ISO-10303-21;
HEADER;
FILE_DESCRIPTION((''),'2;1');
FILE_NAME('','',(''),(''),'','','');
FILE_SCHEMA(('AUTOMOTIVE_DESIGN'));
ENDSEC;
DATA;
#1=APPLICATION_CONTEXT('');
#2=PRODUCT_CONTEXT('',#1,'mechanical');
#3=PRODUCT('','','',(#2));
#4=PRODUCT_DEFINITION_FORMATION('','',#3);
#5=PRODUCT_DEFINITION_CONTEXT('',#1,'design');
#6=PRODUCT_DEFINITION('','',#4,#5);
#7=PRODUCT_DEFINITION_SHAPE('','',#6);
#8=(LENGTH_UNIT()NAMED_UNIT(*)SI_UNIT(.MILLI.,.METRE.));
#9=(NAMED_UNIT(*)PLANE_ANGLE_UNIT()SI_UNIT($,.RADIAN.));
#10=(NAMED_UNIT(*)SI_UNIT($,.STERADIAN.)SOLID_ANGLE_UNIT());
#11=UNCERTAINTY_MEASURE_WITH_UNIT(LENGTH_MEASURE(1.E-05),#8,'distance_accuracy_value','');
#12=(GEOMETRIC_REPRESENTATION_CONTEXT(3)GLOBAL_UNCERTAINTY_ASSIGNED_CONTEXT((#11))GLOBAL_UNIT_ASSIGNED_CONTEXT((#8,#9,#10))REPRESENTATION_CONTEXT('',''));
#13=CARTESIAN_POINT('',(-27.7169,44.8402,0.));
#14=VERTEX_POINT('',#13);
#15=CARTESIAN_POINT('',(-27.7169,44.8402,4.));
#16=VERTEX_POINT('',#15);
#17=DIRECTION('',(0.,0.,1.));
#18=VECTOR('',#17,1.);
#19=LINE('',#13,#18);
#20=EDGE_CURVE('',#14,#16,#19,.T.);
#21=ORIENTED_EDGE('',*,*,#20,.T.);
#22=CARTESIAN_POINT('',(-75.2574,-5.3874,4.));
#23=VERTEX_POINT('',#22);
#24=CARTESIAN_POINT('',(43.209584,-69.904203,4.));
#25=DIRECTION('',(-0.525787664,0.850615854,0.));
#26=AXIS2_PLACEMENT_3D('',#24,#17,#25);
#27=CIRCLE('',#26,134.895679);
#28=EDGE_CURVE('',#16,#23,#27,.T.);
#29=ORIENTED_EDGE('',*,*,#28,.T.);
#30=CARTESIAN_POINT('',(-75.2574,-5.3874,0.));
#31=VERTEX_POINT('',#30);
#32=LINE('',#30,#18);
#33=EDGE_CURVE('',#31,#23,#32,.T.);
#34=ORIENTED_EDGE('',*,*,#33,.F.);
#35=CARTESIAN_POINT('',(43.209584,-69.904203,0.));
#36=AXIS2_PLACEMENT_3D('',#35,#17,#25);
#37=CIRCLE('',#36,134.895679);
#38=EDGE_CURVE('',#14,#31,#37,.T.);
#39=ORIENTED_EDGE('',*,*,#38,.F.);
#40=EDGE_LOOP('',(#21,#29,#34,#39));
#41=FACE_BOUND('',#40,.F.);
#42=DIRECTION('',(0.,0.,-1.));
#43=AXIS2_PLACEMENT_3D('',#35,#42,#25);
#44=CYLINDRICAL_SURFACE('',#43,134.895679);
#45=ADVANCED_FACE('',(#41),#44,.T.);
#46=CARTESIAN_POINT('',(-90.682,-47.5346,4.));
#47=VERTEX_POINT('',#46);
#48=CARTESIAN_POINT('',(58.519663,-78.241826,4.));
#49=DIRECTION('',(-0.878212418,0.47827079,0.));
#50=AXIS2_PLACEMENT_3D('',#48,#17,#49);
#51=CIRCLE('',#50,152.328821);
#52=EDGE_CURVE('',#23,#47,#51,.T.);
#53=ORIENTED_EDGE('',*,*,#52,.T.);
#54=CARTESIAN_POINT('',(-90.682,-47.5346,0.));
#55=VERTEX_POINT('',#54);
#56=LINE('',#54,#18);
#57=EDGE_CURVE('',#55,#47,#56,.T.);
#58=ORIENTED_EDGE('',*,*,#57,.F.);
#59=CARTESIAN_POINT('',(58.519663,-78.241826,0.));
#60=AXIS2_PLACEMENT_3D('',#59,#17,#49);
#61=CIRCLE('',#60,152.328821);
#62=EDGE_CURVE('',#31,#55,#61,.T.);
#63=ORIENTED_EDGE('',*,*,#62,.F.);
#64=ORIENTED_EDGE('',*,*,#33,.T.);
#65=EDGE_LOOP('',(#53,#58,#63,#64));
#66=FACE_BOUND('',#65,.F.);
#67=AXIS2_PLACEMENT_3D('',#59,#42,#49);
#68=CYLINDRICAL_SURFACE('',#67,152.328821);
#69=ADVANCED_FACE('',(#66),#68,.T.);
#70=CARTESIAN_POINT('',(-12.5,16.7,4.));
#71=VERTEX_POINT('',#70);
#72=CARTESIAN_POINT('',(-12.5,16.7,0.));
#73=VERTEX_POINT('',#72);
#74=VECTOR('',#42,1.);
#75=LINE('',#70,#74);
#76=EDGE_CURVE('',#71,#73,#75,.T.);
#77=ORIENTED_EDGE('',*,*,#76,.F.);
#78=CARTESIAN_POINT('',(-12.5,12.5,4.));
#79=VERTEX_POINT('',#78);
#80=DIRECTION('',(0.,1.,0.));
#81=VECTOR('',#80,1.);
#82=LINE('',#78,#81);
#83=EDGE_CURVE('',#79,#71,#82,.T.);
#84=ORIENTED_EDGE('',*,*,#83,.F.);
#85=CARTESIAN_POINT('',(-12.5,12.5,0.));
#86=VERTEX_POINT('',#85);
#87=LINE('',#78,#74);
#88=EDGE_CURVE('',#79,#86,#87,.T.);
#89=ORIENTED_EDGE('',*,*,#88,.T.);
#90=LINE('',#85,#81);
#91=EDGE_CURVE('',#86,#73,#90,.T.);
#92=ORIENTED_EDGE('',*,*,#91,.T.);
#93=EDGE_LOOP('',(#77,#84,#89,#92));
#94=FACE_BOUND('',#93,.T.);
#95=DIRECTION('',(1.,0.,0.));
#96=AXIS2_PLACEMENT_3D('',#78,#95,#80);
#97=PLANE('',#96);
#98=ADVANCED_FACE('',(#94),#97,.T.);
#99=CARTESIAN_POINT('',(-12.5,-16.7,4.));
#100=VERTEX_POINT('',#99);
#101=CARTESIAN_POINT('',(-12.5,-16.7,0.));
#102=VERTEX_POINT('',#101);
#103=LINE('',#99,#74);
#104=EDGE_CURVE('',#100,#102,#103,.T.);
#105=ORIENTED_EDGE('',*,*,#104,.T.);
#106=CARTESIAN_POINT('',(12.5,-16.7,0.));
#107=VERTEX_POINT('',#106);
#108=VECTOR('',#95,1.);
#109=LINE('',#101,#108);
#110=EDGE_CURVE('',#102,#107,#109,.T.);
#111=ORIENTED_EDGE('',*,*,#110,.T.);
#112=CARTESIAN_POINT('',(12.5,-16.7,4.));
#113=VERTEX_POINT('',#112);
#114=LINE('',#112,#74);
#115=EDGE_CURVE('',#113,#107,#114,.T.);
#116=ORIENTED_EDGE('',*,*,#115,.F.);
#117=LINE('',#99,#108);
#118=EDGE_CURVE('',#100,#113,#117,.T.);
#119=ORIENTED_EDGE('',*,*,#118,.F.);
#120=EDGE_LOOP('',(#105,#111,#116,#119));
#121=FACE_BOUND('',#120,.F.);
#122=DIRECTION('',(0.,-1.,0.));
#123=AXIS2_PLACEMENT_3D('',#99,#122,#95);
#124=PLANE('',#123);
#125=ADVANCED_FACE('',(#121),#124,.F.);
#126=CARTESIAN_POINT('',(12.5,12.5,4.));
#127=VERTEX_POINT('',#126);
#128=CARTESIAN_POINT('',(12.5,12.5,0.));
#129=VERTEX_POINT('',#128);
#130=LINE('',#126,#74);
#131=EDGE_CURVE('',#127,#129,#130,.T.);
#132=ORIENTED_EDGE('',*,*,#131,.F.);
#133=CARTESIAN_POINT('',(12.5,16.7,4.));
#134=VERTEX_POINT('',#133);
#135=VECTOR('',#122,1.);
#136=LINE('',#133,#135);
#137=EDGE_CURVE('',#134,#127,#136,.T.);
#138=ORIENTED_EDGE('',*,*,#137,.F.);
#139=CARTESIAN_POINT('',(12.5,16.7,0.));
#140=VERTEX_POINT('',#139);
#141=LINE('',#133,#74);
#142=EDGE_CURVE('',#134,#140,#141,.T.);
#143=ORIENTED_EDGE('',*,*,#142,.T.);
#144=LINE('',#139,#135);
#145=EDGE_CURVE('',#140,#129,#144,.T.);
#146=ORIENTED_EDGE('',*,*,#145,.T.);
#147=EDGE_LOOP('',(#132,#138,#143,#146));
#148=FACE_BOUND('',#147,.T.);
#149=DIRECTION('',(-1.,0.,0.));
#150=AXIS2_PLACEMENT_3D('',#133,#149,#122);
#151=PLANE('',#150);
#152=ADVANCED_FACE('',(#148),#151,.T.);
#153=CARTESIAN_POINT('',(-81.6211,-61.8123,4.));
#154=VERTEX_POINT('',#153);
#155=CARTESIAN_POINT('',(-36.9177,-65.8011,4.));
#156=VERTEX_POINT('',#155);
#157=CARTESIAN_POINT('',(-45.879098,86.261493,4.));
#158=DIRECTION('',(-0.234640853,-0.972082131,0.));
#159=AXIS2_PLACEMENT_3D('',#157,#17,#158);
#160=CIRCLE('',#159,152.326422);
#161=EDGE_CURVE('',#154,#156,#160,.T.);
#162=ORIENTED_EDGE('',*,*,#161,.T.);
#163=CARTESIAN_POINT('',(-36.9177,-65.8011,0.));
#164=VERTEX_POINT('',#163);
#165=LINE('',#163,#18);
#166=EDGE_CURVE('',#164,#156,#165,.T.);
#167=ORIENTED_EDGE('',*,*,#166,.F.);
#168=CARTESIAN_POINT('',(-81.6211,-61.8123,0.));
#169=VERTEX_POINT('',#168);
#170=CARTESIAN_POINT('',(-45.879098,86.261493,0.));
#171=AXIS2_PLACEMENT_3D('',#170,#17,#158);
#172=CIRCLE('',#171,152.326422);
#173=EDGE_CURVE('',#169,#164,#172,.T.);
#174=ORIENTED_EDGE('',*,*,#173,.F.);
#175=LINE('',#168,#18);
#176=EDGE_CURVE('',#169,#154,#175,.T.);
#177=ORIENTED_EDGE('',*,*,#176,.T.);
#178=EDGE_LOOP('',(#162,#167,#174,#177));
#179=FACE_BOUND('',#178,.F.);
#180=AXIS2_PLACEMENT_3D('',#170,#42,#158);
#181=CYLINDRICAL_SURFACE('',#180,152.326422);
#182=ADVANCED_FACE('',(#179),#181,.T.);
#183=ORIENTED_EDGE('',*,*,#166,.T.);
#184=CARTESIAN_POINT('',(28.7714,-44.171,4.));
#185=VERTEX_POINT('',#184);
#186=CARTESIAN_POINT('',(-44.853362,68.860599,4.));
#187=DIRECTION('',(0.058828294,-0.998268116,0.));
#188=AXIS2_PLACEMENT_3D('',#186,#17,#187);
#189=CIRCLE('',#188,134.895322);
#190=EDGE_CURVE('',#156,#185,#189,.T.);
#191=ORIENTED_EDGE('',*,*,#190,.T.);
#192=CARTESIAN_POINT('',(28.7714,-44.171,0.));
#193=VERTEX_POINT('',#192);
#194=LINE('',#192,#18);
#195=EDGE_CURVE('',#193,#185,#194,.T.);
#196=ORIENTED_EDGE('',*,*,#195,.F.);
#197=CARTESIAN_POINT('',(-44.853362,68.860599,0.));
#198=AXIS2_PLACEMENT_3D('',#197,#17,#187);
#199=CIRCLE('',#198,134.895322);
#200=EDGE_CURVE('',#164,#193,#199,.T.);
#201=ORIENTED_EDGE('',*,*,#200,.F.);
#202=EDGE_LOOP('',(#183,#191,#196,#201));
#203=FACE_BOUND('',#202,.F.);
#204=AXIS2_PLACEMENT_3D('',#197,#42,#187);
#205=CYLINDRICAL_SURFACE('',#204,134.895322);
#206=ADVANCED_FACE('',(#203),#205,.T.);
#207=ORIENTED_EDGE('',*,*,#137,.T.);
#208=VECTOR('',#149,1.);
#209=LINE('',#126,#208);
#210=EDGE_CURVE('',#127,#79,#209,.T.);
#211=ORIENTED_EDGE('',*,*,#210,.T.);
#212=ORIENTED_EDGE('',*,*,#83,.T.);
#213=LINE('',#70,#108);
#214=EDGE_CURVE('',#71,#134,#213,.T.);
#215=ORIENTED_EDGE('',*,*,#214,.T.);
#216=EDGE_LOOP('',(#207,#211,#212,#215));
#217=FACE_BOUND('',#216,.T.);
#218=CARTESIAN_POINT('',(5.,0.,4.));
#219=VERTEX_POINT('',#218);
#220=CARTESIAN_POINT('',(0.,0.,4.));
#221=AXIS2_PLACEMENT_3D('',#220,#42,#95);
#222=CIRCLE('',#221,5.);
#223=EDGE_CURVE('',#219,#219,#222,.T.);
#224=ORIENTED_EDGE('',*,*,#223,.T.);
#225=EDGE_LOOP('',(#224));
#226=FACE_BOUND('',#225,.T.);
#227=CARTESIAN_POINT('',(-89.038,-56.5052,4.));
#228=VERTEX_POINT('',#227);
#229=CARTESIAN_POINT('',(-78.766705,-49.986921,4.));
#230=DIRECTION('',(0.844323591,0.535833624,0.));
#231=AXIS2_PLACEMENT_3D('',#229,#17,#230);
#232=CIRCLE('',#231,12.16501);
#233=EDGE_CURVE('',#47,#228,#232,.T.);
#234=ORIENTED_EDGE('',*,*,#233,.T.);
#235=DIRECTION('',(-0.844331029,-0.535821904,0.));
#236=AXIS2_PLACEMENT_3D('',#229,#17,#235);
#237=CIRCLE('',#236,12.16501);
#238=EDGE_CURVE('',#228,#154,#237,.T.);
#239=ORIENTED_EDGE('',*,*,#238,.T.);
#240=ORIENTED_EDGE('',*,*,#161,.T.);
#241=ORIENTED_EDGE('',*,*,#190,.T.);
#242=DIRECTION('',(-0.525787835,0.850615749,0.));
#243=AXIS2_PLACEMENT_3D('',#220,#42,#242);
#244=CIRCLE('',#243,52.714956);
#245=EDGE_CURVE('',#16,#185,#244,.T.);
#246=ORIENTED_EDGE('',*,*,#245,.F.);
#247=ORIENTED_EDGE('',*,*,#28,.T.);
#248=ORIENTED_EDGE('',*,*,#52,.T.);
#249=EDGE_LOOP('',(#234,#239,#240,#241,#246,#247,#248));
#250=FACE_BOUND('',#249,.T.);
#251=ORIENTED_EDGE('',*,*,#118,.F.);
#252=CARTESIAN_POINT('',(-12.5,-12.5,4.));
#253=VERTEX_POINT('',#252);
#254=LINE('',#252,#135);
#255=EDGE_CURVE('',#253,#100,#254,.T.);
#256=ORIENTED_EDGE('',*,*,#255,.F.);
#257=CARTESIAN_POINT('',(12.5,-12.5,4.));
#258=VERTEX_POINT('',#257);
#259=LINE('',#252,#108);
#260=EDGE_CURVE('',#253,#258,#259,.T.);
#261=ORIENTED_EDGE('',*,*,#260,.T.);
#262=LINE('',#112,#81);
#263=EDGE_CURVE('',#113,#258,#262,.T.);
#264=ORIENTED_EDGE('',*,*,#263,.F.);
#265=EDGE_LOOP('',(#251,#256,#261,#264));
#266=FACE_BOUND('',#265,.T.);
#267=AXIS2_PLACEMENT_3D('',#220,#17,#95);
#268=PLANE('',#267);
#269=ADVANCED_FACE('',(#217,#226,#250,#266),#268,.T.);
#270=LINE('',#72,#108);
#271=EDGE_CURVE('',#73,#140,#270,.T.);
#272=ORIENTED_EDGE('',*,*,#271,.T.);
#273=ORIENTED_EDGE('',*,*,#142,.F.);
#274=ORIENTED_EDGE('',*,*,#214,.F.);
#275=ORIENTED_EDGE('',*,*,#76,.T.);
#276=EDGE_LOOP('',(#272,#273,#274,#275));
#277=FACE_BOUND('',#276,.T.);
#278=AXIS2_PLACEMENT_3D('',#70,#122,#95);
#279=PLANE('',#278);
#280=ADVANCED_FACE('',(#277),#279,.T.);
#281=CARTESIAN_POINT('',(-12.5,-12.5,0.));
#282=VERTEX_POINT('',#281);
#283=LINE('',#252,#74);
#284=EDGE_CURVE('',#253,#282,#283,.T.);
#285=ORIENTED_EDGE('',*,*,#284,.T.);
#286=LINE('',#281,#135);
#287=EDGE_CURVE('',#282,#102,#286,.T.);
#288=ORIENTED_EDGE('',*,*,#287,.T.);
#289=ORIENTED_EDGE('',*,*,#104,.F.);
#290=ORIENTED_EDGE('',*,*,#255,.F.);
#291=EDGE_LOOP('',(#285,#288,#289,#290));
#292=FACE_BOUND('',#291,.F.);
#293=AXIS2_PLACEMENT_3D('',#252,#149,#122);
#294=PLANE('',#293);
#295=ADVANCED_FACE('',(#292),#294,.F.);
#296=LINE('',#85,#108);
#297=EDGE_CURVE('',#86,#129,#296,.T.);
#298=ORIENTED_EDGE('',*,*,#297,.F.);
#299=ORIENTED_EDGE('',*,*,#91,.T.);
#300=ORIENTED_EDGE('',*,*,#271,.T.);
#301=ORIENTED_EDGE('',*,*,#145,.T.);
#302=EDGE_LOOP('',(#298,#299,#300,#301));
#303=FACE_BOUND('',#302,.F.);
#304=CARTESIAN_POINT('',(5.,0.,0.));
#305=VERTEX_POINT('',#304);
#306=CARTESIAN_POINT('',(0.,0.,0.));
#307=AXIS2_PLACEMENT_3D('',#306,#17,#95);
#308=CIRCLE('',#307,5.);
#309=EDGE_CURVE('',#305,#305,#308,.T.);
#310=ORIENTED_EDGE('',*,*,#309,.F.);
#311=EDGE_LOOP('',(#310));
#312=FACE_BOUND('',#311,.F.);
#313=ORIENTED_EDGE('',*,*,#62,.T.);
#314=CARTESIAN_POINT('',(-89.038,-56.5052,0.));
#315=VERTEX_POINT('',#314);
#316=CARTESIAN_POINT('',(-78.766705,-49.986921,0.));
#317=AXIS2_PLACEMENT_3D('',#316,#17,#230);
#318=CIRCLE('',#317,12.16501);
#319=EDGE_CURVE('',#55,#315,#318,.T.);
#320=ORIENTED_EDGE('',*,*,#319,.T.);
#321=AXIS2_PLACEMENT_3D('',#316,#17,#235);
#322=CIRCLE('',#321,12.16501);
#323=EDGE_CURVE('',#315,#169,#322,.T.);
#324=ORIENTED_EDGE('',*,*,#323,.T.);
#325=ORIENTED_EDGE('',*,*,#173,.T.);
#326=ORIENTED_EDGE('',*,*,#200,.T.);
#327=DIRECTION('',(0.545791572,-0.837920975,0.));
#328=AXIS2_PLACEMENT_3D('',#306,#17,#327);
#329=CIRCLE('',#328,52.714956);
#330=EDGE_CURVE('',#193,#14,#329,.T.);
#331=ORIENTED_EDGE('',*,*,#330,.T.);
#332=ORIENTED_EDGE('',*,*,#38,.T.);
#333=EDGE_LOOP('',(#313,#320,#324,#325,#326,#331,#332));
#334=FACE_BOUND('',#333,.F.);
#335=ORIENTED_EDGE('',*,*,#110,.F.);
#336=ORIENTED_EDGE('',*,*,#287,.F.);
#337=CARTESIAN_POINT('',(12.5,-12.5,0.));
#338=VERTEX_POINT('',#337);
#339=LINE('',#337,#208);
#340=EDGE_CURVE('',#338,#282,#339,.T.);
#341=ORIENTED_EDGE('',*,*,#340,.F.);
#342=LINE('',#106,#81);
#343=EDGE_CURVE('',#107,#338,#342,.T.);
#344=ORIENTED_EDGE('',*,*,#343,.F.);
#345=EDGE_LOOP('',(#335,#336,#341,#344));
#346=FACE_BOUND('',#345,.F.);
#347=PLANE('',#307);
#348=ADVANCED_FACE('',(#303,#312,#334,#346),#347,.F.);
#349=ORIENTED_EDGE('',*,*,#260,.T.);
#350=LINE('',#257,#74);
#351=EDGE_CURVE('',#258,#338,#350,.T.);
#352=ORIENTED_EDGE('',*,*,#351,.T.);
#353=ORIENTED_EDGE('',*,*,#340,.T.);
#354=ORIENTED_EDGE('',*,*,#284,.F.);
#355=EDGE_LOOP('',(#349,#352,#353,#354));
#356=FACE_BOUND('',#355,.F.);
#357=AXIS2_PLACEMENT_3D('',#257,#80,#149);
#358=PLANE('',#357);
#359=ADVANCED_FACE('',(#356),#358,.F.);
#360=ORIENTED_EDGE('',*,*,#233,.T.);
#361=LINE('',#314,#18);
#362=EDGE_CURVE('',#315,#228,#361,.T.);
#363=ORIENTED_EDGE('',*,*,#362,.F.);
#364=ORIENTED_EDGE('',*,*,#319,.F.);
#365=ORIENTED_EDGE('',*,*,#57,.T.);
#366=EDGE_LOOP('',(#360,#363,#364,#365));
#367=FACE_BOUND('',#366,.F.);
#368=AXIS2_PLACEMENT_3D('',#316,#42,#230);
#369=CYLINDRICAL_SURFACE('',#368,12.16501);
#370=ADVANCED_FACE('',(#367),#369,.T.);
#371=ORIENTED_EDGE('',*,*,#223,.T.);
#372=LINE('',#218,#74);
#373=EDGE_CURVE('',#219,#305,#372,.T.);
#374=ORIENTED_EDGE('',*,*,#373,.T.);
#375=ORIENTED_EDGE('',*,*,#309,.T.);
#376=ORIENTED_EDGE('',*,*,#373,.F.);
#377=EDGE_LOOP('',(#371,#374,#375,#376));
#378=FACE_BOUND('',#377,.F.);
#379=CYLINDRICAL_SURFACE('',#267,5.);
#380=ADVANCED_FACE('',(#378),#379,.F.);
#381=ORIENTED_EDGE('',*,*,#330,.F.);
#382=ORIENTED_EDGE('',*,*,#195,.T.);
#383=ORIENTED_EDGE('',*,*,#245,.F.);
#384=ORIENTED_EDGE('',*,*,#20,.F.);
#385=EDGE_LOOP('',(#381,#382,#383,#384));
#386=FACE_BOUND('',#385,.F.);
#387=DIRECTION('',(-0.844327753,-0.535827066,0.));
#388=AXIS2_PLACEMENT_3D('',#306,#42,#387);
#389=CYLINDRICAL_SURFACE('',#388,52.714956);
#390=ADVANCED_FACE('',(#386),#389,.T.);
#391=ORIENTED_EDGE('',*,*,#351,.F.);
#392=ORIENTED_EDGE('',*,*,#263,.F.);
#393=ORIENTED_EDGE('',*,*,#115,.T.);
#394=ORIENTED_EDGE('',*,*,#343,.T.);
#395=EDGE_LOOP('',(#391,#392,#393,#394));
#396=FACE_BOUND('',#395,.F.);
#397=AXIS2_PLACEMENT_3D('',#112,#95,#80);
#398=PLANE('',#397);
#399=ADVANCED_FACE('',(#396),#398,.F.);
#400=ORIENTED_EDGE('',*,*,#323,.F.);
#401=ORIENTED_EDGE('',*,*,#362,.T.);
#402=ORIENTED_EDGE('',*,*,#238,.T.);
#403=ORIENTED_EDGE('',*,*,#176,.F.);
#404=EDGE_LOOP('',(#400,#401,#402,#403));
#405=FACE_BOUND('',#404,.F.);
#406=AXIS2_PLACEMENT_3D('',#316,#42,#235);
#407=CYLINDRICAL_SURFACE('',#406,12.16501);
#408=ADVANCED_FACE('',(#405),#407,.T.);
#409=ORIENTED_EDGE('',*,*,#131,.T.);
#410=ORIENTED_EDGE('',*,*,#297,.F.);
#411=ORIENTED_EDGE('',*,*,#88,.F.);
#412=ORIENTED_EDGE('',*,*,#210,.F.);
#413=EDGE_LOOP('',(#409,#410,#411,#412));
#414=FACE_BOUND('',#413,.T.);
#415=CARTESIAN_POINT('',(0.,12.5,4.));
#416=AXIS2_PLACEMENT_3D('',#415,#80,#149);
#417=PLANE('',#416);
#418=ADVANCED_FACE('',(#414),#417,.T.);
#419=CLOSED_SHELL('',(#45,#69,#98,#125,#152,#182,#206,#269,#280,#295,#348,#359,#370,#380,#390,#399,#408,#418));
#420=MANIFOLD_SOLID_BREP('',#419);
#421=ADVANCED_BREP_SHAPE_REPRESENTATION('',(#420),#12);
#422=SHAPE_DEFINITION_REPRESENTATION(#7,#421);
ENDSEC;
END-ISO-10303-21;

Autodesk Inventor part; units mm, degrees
ref_plane "YZ Plane" through (0, 0, 0) normal (1, 0, 0) x (0, 1, 0)
ref_plane "XZ Plane" through (0, 0, 0) normal (0, 1, 0) x (-1, 0, 0)
ref_plane "XY Plane" through (0, 0, 0) normal (0, 0, 1) x (1, 0, 0)
sketch "Boceto1" plane through (0, 0, 0) normal (0, 0, 1) x (1, 0, 0)
  arc A0 (44.5087, 28.2461) -> (-44.5087, -28.2461) centre (0, 0) ccw
  arc A1 (-68.4955, -43.4685) -> (-89.038, -56.5052) centre (-78.7667, -49.9869) ccw
  line L0 (-92.0117, -58.3924) -> (-98.5301, -48.1212)
  line L1 (-27.7169, 44.8402) -> (-38.5808, 61.959)
  line L2 (-38.5808, 61.959) -> (-98.5301, -48.1212)
  line L3 (-98.5301, -48.1212) -> (-75.2574, -5.3874)
  arc A2 (-27.7169, 44.8402) -> (-75.2574, -5.3874) centre (43.2095, -69.9041) ccw
  arc A3 (-75.2574, -5.3874) -> (-90.682, -47.5346) centre (58.5185, -78.2413) ccw
  line L4 (3.4237, 2.1728) -> (44.5087, 28.2461)
  line L5 (-3.4237, -2.1728) -> (-92.0117, -58.3924)
  arc A4 (-44.5087, -28.2461) -> (44.5087, 28.2461) centre (0, 0) ccw
  arc A5 (-89.038, -56.5052) -> (-68.4955, -43.4685) centre (-78.7667, -49.9869) ccw
  line L6 (-92.0117, -58.3924) -> (-85.4934, -68.6637)
  line L7 (28.7714, -44.171) -> (39.6353, -61.2898)
  line L8 (39.6353, -61.2898) -> (-85.4934, -68.6637)
  line L9 (-85.4934, -68.6637) -> (-36.9177, -65.8011)
  arc A6 (-36.9177, -65.8011) -> (28.7714, -44.171) centre (-44.8534, 68.8608) ccw
  arc A7 (-81.6211, -61.8123) -> (-36.9177, -65.8011) centre (-45.8789, 86.2627) ccw
  dimension "d0" = 105.43
  dimension "d6" = 24.33
  dimension "d7" = 12.165
  dimension "d8" = 20.275
  dimension "d9" = 48.66
extrude "Extrusión2" add sketch "Boceto1" along normal blind 4 contours A4 A0 | A0 L5 A1 A3 A2 | A6 A7 A5 L5 A4 | L5 A1 | A5 L5
sketch "Boceto2" plane through (0, 0, 4) normal (0, 0, 1) x (1, 0, 0)
  line L0 (0, 0) -> (0, 12.5)
  line L1 (0, 12.5) -> (-12.5, 12.5)
  line L2 (-12.5, 12.5) -> (-12.5, 16.7)
  line L3 (-12.5, 16.7) -> (12.5, 16.7)
  line L4 (12.5, 16.7) -> (12.5, 12.5)
  line L5 (12.5, 12.5) -> (0, 12.5)
  line L6 (0, 0) -> (12.5, 0)
  line L7 (0, 0) -> (0, -12.5)
  line L8 (0, -12.5) -> (-12.5, -12.5)
  line L9 (-12.5, -12.5) -> (-12.5, -16.7)
  line L10 (-12.5, -16.7) -> (12.5, -16.7)
  line L11 (12.5, -16.7) -> (12.5, -12.5)
  line L12 (12.5, -12.5) -> (0, -12.5)
  circle A0 centre (0, 0) radius 5
  dimension "d24" = 12.5
  dimension "d25" = 12.5
  dimension "d26" = 4.2
  dimension "d27" = 25
  dimension "d28" = 10
extrude "Extrusión3" cut sketch "Boceto2" against normal blind 4
properties part number "leva00" material "Madera (abedul)"
